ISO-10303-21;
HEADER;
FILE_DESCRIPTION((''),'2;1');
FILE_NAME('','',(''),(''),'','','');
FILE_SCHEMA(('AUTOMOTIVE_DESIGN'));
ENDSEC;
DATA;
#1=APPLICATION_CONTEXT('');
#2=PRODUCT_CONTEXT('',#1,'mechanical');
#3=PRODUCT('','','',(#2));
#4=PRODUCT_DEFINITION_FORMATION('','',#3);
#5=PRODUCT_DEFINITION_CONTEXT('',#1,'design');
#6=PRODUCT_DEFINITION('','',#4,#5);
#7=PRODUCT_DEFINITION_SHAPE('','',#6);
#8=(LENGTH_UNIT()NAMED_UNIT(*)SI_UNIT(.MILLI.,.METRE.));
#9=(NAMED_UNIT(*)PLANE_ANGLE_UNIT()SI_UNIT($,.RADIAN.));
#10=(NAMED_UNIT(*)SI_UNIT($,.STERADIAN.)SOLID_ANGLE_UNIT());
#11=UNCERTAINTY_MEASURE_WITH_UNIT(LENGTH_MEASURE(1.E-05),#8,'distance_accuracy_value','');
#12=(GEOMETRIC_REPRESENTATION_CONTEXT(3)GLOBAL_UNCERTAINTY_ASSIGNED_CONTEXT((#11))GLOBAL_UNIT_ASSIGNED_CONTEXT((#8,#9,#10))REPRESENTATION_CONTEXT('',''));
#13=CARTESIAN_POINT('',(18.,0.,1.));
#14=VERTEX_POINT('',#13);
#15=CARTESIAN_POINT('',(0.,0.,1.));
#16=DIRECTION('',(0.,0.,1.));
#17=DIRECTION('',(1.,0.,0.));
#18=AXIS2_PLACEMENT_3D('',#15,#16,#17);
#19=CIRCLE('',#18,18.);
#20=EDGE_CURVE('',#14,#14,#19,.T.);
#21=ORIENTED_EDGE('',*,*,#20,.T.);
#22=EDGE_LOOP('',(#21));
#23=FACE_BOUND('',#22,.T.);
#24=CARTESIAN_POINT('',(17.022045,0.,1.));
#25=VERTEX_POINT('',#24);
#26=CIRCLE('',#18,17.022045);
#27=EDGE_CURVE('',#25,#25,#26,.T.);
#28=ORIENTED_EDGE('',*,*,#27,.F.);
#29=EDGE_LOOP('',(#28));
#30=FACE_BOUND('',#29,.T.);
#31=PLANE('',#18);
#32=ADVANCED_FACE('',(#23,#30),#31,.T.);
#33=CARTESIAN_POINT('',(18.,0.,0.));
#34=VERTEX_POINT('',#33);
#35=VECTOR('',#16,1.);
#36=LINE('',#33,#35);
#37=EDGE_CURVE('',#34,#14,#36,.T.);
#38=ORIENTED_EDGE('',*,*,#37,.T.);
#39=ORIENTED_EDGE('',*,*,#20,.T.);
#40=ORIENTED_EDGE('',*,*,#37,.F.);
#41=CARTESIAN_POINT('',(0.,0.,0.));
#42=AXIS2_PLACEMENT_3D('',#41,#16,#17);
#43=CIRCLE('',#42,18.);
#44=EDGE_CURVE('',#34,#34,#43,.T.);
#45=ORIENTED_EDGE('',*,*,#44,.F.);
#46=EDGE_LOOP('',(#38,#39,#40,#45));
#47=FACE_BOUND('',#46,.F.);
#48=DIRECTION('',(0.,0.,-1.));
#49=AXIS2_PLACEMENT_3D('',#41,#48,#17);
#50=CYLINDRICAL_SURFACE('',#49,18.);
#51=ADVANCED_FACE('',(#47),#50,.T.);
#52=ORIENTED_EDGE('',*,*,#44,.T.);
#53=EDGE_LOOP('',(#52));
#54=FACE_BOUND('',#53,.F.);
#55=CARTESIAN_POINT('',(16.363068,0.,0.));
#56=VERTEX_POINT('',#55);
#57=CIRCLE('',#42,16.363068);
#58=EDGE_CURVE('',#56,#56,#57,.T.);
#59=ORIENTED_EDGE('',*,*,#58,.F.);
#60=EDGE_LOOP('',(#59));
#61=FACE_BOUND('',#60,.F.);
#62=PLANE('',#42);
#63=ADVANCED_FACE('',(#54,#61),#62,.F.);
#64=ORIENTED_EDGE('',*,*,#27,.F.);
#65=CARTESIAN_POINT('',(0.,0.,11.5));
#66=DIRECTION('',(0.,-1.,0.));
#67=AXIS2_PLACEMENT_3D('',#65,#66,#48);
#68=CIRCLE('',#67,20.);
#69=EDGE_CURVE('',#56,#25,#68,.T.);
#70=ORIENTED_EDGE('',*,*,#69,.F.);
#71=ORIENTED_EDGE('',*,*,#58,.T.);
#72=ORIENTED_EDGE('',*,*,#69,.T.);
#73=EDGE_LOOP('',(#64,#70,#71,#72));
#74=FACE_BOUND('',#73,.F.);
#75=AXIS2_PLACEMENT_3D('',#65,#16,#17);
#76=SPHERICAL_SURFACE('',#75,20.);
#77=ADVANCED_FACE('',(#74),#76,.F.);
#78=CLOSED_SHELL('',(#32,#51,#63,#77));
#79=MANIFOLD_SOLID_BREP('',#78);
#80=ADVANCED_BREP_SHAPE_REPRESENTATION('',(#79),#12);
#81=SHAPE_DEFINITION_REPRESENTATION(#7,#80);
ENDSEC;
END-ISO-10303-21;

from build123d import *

# Parameters (mm, degrees)
SKETCH_R  = 18
PAD_DEPTH = 1


with BuildPart() as sphere:
    # Sphere → Sphere (revolve)
    with BuildSketch(Plane(origin=(0, 0, 11.5), x_dir=(1, 0, 0), z_dir=(0, -1, 0))):
        with BuildLine():
            ThreePointArc((0, -20), (20, 0), (0, 20))
            Line((0, 20), (0, -20))
        make_face()
    revolve(axis=Axis((0, 0, 11.5), (0, 0, 1)))


with BuildPart() as cut:
    # Sketch → Pad (new body)
    with BuildSketch(Plane.XY):
        Circle(SKETCH_R)
    extrude(amount=PAD_DEPTH)

    # Cut: cut Sphere
    add(sphere.part, mode=Mode.SUBTRACT)


solid = cut.part
